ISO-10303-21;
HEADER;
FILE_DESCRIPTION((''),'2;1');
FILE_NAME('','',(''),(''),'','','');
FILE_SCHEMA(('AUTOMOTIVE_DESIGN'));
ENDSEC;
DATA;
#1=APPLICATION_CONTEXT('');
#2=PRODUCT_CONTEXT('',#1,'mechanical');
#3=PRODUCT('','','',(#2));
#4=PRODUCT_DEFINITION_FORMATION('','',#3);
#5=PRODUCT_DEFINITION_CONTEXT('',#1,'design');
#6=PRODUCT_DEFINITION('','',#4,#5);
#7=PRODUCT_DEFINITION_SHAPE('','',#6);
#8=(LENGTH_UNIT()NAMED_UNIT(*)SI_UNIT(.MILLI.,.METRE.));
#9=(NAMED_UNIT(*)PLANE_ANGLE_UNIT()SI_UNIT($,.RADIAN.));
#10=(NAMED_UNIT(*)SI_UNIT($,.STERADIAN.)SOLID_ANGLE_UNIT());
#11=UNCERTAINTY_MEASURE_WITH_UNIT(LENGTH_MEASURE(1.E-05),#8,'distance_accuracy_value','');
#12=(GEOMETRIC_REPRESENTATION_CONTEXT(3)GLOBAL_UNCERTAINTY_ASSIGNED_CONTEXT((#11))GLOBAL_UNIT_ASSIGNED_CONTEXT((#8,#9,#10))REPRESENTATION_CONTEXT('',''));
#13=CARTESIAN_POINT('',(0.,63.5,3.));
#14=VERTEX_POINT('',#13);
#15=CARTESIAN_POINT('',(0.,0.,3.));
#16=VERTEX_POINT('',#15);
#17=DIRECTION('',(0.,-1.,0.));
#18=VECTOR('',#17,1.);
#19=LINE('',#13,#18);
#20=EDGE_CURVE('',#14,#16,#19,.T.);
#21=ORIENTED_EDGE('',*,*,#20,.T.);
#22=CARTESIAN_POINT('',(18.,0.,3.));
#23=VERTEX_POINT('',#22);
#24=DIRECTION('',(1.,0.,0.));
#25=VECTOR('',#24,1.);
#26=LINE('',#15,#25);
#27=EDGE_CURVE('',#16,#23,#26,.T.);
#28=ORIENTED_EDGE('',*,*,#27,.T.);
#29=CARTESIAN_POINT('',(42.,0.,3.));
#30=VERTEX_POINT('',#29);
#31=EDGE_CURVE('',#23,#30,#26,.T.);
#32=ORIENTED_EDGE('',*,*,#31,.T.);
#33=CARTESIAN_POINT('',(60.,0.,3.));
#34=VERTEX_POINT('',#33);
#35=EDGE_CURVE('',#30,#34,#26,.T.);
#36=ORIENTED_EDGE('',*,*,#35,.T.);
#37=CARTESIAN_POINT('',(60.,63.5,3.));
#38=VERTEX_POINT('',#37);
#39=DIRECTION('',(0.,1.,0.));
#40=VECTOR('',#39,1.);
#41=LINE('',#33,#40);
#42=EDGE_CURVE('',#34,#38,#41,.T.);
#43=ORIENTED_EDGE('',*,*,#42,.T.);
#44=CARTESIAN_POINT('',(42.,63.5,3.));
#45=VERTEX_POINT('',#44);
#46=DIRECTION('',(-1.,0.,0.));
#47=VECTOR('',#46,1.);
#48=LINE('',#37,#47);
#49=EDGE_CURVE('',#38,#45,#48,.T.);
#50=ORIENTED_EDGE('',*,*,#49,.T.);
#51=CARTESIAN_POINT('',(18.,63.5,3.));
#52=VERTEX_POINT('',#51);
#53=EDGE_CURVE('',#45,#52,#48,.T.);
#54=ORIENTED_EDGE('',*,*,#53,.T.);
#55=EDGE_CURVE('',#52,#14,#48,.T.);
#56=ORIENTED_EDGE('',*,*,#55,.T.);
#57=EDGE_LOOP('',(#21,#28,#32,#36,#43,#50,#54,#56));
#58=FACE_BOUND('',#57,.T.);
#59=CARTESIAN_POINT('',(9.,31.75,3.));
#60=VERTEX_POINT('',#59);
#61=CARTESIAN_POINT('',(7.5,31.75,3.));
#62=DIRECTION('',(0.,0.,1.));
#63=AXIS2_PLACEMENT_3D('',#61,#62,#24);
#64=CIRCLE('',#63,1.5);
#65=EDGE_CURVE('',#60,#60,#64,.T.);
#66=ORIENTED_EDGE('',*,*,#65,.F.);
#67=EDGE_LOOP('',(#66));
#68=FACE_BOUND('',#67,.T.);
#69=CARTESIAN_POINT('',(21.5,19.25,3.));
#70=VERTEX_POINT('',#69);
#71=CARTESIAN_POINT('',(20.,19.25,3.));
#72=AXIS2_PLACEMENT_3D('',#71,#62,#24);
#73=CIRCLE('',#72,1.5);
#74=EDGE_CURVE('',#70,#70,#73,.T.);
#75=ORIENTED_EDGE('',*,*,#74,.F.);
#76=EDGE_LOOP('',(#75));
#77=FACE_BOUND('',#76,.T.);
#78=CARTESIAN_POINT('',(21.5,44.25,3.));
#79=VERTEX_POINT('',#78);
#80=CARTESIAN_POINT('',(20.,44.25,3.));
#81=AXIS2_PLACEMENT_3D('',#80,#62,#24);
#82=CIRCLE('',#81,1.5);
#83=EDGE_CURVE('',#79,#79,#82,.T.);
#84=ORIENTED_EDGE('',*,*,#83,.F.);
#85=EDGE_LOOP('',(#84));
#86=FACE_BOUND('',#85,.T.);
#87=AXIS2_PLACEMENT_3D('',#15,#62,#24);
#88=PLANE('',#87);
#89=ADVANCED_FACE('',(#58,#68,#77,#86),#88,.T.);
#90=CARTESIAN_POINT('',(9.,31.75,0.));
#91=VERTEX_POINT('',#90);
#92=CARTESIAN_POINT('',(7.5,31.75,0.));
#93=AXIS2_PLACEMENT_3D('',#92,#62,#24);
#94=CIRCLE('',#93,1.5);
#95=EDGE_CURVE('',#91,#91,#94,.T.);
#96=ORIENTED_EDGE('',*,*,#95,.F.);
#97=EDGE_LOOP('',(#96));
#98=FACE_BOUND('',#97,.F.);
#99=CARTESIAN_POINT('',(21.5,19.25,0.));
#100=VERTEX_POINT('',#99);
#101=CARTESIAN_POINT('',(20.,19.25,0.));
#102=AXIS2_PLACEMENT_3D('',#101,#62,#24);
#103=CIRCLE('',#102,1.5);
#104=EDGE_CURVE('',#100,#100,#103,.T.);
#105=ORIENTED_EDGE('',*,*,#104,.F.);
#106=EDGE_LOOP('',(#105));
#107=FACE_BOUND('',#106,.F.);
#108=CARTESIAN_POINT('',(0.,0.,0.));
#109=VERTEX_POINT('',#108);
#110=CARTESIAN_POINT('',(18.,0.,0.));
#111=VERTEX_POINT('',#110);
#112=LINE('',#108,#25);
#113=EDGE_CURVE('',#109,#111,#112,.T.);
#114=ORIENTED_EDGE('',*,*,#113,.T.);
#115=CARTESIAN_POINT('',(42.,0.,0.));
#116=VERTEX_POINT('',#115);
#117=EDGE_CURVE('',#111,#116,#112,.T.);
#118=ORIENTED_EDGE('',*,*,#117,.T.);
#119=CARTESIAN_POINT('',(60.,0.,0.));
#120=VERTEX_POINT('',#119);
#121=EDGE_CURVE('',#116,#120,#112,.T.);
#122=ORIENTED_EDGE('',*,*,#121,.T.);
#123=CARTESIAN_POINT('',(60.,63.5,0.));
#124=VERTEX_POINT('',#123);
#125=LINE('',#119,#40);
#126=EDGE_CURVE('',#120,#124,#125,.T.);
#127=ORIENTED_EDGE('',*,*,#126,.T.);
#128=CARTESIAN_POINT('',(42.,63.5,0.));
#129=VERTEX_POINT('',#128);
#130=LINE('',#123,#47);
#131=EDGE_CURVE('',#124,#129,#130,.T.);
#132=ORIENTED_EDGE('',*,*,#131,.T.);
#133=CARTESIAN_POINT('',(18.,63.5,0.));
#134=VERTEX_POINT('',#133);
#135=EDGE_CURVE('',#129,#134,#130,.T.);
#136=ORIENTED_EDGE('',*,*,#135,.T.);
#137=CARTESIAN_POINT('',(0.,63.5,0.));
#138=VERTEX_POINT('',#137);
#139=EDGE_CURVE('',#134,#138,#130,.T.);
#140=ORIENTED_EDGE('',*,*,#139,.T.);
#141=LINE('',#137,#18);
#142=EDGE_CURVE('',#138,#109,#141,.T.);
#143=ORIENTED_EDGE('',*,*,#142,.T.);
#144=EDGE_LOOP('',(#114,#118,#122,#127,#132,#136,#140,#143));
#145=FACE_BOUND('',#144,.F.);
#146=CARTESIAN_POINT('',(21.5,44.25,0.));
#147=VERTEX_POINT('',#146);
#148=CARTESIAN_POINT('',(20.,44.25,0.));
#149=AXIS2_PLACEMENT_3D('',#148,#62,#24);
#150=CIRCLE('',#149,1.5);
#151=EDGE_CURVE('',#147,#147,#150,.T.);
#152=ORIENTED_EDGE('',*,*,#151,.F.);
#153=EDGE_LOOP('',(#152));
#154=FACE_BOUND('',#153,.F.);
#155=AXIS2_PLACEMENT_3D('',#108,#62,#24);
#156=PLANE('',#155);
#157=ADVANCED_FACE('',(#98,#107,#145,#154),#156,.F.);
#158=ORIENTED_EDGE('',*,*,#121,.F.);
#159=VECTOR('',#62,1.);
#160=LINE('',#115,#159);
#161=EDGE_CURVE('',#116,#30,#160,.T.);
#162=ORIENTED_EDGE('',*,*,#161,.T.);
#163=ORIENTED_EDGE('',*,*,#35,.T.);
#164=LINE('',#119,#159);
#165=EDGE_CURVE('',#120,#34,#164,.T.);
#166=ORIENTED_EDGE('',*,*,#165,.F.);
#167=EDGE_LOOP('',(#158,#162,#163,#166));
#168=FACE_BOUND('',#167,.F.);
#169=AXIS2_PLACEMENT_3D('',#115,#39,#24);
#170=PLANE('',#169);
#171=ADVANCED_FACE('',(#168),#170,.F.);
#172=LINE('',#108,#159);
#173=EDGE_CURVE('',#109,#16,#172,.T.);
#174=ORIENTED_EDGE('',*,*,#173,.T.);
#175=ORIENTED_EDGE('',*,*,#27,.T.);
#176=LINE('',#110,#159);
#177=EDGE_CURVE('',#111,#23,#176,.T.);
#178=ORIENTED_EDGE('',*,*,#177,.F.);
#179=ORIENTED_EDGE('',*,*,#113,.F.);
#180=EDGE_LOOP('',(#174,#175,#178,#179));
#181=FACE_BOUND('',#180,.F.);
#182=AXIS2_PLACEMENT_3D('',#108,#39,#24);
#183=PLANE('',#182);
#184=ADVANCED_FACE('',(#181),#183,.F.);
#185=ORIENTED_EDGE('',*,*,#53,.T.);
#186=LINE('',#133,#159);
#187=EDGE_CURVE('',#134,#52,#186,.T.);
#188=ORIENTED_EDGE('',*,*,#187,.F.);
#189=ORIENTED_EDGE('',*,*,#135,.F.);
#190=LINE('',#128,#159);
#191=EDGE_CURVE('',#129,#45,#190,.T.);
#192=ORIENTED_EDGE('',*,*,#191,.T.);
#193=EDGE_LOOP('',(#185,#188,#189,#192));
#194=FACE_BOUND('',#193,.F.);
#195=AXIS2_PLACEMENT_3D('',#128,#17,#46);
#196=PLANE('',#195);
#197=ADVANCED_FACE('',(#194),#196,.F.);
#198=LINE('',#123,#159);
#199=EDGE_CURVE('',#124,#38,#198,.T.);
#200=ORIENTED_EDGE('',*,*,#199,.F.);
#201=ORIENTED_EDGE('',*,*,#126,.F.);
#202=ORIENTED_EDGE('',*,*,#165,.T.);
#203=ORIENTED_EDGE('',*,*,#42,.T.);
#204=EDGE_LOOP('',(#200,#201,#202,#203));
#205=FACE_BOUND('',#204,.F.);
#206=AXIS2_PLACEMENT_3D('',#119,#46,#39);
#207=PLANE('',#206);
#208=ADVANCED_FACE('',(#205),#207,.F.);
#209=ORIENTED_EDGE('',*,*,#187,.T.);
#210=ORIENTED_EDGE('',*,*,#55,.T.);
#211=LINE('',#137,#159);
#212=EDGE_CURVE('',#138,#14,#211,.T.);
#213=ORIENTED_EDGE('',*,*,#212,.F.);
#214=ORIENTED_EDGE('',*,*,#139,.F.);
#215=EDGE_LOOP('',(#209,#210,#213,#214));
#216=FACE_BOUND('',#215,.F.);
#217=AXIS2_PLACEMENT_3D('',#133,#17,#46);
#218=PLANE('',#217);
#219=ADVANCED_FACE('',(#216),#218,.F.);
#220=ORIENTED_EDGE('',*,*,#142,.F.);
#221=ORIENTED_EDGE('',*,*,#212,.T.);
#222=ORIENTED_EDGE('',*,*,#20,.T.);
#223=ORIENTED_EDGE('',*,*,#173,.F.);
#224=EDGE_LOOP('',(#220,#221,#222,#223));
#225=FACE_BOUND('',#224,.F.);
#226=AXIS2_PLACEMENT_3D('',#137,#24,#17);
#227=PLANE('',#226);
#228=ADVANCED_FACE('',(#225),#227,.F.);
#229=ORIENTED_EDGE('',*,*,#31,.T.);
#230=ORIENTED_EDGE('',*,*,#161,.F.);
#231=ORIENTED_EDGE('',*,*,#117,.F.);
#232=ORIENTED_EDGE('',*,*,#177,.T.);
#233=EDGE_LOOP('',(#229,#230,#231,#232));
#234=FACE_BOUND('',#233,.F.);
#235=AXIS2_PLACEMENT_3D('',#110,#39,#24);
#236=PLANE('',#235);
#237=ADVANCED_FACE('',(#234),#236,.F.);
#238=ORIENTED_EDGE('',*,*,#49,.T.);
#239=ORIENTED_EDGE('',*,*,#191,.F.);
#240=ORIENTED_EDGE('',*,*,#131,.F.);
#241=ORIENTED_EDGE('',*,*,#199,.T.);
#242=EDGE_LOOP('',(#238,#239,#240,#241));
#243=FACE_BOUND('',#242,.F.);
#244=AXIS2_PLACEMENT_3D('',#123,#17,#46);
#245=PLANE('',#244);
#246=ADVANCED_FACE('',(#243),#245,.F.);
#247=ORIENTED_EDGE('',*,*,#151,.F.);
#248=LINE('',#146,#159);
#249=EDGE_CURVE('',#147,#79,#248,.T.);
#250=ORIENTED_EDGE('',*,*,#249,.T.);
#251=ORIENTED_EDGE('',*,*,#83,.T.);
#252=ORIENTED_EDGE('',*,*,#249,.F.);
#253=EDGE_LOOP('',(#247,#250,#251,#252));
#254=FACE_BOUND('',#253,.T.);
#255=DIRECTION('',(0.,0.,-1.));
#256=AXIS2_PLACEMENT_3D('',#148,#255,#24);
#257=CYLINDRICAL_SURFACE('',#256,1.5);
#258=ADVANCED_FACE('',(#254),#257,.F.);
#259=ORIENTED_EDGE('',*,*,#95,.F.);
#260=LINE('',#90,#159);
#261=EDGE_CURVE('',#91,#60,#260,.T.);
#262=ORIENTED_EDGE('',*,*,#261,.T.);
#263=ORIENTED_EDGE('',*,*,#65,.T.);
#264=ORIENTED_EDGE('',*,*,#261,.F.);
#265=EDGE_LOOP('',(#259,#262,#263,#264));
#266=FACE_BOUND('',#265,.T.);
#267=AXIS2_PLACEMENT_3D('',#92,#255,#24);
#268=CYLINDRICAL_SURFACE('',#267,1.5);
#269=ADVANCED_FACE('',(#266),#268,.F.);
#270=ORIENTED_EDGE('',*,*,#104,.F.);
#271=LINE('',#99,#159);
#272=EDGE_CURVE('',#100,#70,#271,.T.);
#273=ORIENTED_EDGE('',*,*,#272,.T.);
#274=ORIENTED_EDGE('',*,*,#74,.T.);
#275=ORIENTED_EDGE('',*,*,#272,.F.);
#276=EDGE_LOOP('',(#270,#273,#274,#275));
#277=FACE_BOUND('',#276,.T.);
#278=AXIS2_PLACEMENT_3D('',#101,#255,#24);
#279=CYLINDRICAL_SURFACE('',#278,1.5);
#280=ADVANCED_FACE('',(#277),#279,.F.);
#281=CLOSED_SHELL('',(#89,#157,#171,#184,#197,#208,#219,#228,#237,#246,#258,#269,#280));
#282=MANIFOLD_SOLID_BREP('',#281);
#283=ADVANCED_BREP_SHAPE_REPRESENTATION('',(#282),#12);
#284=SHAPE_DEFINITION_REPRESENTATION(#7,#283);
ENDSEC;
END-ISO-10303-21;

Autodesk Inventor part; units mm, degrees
ref_plane "YZ Plane" through (0, 0, 0) normal (1, 0, 0) x (0, 1, 0)
ref_plane "XZ Plane" through (0, 0, 0) normal (0, 1, 0) x (-1, 0, 0)
ref_plane "XY Plane" through (0, 0, 0) normal (0, 0, 1) x (1, 0, 0)
sketch "Sketch1" plane through (0, 0, 0) normal (0, 0, 1) x (1, 0, 0)
  line L0 (0, 0) -> (0, 63.5) construction
  line L1 (60, 0) -> (60, 63.5) construction
  line L2 (18, 66.5) -> (42, 66.5) construction
  line L3 (42, 0) -> (18, 0) construction
  circle A0 centre (20, 19.25) radius 1.5 projected
  circle A1 centre (10.45, 31.75) radius 1.35 construction
  circle A2 centre (20, 44.25) radius 1.5 projected
  line L4 (0, 0) -> (60, 0)
  line L5 (60, 0) -> (60, 63.5)
  line L6 (60, 63.5) -> (0, 63.5)
  line L7 (0, 63.5) -> (0, 0)
  circle A3 centre (20, 44.25) radius 1.5 projected
  circle A4 centre (7.5, 31.75) radius 1.5 projected
  circle A5 centre (20, 19.25) radius 1.5 projected
  line L8 (60, 0) -> (42, 0) projected
  line L9 (60, 0) -> (60, 63.5) projected
  line L10 (42, 63.5) -> (60, 63.5) projected
  line L11 (42, 63.5) -> (42, 66.5) projected
  line L12 (18, 66.5) -> (42, 66.5) projected
  line L13 (18, 63.5) -> (18, 66.5) projected
  line L14 (0, 63.5) -> (18, 63.5) projected
  line L15 (0, 0) -> (0, 63.5) projected
  line L16 (18, 0) -> (0, 0) projected
  line L17 (18, 0) -> (18, -3) projected
  line L18 (18, -3) -> (42, -3) projected
  line L19 (42, 0) -> (42, -3) projected
extrude "Extrusion2" add sketch "Sketch1" along normal blind 3 contours L7 L6 L5 L4
properties part number "Pan cross bar spacer"
